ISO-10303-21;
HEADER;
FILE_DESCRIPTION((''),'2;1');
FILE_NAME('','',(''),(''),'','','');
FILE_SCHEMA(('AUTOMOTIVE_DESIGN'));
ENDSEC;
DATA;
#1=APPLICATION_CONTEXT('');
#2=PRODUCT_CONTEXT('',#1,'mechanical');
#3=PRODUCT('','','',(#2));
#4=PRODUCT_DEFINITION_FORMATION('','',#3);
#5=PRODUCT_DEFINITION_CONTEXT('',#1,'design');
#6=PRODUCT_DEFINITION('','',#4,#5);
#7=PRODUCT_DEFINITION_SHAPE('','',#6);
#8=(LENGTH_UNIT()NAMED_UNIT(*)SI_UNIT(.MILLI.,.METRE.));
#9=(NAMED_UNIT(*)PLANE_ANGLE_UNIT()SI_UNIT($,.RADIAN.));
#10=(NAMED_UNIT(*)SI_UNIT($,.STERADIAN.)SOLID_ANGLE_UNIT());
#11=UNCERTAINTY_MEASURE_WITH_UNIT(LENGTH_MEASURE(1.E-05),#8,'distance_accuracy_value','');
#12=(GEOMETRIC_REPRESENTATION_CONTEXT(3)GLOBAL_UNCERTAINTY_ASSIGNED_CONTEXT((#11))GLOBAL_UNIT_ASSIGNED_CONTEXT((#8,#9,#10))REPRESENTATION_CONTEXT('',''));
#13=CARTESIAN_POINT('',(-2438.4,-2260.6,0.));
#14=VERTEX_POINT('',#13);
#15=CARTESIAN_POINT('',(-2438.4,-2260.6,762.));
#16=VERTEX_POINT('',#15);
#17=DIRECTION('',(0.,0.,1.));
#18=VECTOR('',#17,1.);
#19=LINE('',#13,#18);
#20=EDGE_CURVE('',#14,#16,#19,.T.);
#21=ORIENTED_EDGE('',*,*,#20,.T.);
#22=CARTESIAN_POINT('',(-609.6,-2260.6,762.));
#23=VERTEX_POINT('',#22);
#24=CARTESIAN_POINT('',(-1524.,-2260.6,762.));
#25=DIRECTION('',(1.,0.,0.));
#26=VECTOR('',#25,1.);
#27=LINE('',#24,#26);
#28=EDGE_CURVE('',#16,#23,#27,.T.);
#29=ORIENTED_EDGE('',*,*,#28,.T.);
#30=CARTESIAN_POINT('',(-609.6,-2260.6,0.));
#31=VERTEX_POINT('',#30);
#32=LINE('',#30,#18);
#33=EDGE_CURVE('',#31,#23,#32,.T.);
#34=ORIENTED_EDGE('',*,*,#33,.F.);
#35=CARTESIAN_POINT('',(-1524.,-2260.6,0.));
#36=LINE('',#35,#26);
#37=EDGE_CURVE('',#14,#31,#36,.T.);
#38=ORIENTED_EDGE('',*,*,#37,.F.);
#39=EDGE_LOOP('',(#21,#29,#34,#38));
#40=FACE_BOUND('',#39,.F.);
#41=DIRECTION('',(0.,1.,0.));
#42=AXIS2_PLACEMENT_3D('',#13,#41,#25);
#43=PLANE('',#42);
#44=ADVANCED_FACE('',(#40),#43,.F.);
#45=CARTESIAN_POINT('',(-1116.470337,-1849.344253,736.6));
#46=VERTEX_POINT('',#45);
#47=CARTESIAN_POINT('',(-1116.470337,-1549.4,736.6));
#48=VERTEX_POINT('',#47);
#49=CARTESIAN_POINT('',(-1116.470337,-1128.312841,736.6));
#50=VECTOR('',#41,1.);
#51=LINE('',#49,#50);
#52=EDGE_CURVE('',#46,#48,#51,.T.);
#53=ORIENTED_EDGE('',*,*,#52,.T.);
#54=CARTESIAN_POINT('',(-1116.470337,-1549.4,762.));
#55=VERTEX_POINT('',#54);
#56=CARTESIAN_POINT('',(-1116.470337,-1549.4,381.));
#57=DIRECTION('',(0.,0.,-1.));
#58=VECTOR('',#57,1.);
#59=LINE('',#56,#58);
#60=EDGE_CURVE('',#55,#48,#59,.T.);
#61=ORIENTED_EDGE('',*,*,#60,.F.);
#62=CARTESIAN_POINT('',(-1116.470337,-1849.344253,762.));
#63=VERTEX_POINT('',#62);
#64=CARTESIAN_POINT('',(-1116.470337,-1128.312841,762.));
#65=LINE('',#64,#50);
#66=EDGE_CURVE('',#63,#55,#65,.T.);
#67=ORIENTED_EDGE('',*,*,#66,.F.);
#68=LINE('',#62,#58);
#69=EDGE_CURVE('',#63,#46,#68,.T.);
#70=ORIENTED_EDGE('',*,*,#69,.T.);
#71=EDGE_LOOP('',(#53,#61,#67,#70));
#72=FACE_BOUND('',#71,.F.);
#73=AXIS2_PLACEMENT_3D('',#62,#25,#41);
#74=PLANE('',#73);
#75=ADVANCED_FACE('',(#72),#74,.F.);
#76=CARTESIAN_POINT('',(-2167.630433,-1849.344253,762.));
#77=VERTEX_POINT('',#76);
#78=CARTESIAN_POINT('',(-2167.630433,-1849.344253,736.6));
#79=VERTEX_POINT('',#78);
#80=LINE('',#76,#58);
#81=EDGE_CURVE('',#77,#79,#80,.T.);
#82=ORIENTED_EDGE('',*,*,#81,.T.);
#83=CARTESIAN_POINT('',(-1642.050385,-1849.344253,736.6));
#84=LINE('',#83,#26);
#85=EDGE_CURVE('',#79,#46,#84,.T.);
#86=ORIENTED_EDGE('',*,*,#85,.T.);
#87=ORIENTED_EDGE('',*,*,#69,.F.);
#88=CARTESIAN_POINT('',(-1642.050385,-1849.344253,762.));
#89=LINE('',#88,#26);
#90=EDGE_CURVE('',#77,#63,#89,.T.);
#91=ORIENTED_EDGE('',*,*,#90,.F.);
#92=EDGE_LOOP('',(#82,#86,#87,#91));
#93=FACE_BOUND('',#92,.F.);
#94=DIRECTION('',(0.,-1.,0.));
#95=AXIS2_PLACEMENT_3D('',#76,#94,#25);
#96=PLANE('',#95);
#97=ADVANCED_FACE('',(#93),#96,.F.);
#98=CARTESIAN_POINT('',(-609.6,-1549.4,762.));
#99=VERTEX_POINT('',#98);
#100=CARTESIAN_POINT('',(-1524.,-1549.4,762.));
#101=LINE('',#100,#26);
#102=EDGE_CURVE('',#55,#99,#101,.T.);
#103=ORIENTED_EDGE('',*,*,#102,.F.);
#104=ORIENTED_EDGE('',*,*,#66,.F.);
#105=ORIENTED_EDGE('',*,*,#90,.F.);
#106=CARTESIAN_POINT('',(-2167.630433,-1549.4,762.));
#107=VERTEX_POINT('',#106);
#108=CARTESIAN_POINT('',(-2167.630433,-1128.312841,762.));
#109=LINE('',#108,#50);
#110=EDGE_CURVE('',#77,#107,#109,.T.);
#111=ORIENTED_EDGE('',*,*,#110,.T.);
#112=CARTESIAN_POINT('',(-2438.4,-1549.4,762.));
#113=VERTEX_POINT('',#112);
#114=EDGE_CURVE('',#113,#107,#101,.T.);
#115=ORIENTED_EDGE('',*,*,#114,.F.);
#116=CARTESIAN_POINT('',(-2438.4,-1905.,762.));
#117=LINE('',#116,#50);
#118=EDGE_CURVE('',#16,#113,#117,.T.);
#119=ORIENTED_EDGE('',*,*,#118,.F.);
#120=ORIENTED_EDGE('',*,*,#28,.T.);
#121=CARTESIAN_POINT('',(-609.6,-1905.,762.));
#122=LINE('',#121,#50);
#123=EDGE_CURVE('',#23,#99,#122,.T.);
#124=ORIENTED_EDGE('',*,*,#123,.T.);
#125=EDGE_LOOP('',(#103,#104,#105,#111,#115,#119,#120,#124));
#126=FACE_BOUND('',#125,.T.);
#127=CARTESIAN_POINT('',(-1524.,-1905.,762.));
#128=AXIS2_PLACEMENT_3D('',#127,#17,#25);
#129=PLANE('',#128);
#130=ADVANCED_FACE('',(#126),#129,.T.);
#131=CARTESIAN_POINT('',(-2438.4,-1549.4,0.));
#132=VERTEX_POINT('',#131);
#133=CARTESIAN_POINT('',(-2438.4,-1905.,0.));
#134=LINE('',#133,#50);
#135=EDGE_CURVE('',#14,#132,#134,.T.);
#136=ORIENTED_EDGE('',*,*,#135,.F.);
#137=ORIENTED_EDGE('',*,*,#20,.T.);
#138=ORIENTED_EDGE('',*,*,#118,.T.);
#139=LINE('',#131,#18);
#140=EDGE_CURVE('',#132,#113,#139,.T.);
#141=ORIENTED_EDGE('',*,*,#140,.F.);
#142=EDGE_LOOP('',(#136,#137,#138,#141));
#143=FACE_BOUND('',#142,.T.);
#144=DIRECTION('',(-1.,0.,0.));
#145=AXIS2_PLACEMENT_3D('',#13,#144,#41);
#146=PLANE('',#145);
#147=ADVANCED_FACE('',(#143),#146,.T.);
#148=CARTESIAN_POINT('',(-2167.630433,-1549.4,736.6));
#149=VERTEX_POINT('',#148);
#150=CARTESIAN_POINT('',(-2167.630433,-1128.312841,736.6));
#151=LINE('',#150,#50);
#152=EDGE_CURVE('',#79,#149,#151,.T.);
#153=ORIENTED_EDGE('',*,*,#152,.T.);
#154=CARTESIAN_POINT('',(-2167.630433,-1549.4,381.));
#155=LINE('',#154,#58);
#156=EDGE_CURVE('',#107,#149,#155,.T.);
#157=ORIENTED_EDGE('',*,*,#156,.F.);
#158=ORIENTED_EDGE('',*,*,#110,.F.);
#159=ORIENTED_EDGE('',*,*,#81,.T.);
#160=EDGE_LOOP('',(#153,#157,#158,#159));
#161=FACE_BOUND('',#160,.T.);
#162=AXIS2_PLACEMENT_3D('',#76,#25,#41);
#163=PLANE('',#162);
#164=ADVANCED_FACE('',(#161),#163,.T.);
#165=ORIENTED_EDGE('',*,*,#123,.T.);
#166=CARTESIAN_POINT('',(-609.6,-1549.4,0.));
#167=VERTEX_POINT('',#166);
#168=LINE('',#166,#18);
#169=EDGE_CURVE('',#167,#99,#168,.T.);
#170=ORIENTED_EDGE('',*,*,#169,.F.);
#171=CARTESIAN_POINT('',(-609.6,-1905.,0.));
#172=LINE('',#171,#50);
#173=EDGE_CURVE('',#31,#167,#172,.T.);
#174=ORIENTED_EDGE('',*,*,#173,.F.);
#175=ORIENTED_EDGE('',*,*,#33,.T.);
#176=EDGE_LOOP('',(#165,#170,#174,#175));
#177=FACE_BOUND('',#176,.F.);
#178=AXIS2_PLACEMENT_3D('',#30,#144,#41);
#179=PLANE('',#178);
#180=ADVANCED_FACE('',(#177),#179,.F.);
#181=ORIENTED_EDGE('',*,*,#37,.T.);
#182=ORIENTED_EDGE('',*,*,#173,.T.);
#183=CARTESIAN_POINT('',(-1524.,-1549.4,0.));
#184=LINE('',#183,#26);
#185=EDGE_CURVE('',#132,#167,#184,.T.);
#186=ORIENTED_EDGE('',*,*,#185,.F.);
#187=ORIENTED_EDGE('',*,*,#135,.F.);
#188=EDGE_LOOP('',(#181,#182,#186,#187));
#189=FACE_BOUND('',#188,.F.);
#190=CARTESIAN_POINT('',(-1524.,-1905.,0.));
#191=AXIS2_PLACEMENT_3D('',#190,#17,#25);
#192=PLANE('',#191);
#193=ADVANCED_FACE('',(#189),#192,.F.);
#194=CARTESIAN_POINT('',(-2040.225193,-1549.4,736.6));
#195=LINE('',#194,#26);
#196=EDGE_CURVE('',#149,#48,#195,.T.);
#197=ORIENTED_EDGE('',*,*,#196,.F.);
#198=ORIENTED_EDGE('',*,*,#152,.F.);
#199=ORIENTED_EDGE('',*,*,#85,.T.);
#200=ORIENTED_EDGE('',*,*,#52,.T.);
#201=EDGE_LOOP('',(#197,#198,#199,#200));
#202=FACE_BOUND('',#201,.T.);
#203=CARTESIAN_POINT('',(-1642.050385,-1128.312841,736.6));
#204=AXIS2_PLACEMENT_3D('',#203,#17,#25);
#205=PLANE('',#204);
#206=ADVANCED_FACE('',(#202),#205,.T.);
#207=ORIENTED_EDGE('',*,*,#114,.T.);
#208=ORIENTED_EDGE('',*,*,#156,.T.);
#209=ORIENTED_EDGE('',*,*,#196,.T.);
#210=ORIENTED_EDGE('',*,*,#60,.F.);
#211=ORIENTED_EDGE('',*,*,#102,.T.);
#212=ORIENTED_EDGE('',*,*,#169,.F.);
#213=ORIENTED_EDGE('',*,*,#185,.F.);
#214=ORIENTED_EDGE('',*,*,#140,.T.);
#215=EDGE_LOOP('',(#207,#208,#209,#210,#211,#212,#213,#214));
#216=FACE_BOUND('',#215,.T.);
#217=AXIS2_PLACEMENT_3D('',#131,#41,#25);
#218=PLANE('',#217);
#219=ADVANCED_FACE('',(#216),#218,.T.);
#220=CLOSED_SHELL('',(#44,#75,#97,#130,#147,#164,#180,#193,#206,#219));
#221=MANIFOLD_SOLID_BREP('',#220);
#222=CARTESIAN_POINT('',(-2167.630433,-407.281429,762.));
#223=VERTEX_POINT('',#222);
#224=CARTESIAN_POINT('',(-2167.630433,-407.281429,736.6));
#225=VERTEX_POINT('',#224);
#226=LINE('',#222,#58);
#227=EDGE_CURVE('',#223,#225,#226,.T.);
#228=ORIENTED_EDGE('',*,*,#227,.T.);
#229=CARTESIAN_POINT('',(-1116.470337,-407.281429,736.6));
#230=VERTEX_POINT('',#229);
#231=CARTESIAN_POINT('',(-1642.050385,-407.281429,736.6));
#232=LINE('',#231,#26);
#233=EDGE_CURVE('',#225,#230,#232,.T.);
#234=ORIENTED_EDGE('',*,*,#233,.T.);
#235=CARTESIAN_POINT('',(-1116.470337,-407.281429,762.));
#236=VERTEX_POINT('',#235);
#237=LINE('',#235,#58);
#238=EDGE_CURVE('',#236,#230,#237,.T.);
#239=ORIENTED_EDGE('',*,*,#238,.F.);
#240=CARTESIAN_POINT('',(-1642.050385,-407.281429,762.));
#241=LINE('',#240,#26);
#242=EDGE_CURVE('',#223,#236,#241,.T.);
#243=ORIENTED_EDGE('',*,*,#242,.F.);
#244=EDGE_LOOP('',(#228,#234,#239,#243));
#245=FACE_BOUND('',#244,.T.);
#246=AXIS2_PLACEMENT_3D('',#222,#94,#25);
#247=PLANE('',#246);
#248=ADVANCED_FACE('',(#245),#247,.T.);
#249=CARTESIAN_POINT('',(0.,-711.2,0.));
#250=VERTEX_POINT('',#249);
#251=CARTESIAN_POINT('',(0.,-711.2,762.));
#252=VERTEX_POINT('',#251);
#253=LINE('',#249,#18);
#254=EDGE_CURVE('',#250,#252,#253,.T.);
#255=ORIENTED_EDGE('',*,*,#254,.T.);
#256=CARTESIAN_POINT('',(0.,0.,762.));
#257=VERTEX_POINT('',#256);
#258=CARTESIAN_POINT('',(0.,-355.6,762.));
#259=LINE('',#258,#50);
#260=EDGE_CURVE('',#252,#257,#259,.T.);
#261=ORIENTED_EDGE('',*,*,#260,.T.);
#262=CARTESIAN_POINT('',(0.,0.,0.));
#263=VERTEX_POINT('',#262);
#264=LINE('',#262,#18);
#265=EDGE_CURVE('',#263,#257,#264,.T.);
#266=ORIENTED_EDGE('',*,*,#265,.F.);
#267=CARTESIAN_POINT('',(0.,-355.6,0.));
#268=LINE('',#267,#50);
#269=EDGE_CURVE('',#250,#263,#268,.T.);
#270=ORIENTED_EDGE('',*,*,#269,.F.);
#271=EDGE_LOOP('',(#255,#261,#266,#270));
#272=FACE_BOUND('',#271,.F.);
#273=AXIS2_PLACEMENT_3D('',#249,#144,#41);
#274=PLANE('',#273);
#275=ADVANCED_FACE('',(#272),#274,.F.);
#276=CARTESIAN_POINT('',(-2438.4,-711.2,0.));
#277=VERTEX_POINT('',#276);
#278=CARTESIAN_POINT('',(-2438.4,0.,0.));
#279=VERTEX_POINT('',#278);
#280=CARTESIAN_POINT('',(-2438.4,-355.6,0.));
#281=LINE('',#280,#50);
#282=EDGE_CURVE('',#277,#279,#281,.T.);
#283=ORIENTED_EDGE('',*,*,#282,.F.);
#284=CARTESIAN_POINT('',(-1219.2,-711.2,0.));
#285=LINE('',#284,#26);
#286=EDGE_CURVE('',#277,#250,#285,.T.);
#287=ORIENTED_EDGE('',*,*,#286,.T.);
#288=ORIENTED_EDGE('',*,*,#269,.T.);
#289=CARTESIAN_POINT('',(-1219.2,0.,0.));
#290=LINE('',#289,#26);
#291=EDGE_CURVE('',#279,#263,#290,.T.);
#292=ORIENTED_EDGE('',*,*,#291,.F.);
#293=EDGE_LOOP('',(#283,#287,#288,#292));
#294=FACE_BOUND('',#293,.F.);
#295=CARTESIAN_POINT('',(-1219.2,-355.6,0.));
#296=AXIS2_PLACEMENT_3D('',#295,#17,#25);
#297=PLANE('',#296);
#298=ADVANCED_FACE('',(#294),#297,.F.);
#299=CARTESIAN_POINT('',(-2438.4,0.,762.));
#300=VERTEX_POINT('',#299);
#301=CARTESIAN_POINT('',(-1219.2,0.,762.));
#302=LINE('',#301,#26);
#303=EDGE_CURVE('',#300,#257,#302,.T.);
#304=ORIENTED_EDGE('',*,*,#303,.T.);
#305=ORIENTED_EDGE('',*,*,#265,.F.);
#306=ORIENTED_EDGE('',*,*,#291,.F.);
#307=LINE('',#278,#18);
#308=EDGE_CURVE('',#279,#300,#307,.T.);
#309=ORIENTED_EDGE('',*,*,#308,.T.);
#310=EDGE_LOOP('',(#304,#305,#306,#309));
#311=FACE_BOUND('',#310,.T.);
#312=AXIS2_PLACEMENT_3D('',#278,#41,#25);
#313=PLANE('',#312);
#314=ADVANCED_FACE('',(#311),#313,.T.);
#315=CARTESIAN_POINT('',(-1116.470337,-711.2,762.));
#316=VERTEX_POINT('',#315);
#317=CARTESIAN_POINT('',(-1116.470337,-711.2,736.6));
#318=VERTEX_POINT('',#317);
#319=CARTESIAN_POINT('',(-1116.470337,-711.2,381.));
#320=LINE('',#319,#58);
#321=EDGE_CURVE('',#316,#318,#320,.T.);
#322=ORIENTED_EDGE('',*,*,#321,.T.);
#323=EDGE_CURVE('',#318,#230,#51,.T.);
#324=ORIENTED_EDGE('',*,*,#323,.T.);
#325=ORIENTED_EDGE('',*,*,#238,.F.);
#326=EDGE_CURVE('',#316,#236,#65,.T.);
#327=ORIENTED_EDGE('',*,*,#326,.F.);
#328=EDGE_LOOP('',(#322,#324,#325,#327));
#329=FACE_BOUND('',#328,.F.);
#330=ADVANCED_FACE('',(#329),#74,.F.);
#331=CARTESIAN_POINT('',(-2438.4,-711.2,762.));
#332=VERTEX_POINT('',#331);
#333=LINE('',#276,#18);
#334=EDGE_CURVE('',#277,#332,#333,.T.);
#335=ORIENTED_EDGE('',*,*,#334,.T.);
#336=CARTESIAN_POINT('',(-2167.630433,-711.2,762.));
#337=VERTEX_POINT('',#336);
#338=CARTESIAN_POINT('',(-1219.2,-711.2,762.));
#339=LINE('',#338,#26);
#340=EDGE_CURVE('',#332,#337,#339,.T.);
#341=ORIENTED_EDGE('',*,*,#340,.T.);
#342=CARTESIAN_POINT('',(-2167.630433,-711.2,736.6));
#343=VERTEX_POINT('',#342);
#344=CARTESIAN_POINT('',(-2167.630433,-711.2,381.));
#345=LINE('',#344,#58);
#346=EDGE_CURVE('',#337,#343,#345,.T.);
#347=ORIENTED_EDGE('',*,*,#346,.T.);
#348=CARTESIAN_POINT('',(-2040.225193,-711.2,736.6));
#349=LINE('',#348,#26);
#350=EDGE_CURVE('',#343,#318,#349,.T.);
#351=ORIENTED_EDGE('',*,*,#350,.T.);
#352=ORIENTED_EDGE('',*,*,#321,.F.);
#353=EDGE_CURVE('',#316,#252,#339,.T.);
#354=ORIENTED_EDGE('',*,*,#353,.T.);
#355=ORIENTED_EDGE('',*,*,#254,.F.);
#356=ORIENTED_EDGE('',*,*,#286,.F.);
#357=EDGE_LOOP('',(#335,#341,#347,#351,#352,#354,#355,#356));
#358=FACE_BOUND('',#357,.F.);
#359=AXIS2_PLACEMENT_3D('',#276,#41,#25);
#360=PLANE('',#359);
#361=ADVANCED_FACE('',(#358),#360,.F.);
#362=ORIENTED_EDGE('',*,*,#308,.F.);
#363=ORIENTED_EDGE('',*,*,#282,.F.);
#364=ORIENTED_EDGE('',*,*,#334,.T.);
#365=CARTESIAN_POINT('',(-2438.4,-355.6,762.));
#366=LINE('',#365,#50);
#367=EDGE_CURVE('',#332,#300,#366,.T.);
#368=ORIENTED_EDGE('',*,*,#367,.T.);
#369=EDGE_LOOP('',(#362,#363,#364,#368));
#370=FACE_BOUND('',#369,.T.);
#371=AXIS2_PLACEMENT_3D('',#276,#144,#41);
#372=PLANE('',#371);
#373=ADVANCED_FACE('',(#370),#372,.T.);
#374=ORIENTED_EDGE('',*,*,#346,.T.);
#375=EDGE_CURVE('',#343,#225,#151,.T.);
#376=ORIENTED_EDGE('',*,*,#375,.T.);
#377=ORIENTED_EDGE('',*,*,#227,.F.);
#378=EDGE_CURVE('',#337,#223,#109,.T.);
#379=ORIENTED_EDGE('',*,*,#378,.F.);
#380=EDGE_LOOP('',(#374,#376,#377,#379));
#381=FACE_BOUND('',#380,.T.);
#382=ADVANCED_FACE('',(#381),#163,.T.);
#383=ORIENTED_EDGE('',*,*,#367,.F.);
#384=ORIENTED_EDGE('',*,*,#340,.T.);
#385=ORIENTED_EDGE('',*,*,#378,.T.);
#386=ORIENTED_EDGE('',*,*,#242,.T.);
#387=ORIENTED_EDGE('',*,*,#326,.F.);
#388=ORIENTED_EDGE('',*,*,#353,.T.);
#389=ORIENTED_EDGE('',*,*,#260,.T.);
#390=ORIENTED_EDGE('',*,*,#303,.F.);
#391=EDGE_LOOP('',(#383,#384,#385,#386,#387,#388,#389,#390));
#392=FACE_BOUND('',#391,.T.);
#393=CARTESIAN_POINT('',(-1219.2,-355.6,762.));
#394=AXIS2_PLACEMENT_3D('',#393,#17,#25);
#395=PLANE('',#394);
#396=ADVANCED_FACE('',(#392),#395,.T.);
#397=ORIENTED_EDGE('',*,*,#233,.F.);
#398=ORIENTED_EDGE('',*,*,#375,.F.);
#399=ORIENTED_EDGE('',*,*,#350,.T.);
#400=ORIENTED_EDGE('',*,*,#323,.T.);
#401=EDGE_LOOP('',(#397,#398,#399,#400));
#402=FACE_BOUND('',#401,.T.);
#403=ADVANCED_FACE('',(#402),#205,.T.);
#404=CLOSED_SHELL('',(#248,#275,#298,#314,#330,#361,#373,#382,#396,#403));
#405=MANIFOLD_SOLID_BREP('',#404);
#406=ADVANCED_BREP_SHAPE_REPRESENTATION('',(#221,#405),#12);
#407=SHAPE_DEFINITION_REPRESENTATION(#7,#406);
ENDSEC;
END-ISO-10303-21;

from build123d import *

# Parameters (mm, degrees)
F0_W     = 2438.4
F0_H     = 711.2
F0_W_2   = 1828.8
F1_DEPTH = 762
F2_W     = 1051.160097
F2_H     = 1442.062825
F3_DEPTH = 25.4


with BuildPart() as f1:
    # F0 (on Top) → F1 (new body)
    with BuildSketch(Plane.XY):
        with Locations((-1219.2, -355.6)):
            Rectangle(F0_W, F0_H)
        with Locations((-1524, -1905)):
            Rectangle(F0_W_2, F0_H)
    extrude(amount=F1_DEPTH)

    # F2 (on face) → F3 (cut)
    with BuildSketch(Plane.XY.offset(762)):
        with Locations((-1642.050385, -1128.312841)):
            Rectangle(F2_W, F2_H)
    extrude(amount=-F3_DEPTH, mode=Mode.SUBTRACT)


solid = f1.part
